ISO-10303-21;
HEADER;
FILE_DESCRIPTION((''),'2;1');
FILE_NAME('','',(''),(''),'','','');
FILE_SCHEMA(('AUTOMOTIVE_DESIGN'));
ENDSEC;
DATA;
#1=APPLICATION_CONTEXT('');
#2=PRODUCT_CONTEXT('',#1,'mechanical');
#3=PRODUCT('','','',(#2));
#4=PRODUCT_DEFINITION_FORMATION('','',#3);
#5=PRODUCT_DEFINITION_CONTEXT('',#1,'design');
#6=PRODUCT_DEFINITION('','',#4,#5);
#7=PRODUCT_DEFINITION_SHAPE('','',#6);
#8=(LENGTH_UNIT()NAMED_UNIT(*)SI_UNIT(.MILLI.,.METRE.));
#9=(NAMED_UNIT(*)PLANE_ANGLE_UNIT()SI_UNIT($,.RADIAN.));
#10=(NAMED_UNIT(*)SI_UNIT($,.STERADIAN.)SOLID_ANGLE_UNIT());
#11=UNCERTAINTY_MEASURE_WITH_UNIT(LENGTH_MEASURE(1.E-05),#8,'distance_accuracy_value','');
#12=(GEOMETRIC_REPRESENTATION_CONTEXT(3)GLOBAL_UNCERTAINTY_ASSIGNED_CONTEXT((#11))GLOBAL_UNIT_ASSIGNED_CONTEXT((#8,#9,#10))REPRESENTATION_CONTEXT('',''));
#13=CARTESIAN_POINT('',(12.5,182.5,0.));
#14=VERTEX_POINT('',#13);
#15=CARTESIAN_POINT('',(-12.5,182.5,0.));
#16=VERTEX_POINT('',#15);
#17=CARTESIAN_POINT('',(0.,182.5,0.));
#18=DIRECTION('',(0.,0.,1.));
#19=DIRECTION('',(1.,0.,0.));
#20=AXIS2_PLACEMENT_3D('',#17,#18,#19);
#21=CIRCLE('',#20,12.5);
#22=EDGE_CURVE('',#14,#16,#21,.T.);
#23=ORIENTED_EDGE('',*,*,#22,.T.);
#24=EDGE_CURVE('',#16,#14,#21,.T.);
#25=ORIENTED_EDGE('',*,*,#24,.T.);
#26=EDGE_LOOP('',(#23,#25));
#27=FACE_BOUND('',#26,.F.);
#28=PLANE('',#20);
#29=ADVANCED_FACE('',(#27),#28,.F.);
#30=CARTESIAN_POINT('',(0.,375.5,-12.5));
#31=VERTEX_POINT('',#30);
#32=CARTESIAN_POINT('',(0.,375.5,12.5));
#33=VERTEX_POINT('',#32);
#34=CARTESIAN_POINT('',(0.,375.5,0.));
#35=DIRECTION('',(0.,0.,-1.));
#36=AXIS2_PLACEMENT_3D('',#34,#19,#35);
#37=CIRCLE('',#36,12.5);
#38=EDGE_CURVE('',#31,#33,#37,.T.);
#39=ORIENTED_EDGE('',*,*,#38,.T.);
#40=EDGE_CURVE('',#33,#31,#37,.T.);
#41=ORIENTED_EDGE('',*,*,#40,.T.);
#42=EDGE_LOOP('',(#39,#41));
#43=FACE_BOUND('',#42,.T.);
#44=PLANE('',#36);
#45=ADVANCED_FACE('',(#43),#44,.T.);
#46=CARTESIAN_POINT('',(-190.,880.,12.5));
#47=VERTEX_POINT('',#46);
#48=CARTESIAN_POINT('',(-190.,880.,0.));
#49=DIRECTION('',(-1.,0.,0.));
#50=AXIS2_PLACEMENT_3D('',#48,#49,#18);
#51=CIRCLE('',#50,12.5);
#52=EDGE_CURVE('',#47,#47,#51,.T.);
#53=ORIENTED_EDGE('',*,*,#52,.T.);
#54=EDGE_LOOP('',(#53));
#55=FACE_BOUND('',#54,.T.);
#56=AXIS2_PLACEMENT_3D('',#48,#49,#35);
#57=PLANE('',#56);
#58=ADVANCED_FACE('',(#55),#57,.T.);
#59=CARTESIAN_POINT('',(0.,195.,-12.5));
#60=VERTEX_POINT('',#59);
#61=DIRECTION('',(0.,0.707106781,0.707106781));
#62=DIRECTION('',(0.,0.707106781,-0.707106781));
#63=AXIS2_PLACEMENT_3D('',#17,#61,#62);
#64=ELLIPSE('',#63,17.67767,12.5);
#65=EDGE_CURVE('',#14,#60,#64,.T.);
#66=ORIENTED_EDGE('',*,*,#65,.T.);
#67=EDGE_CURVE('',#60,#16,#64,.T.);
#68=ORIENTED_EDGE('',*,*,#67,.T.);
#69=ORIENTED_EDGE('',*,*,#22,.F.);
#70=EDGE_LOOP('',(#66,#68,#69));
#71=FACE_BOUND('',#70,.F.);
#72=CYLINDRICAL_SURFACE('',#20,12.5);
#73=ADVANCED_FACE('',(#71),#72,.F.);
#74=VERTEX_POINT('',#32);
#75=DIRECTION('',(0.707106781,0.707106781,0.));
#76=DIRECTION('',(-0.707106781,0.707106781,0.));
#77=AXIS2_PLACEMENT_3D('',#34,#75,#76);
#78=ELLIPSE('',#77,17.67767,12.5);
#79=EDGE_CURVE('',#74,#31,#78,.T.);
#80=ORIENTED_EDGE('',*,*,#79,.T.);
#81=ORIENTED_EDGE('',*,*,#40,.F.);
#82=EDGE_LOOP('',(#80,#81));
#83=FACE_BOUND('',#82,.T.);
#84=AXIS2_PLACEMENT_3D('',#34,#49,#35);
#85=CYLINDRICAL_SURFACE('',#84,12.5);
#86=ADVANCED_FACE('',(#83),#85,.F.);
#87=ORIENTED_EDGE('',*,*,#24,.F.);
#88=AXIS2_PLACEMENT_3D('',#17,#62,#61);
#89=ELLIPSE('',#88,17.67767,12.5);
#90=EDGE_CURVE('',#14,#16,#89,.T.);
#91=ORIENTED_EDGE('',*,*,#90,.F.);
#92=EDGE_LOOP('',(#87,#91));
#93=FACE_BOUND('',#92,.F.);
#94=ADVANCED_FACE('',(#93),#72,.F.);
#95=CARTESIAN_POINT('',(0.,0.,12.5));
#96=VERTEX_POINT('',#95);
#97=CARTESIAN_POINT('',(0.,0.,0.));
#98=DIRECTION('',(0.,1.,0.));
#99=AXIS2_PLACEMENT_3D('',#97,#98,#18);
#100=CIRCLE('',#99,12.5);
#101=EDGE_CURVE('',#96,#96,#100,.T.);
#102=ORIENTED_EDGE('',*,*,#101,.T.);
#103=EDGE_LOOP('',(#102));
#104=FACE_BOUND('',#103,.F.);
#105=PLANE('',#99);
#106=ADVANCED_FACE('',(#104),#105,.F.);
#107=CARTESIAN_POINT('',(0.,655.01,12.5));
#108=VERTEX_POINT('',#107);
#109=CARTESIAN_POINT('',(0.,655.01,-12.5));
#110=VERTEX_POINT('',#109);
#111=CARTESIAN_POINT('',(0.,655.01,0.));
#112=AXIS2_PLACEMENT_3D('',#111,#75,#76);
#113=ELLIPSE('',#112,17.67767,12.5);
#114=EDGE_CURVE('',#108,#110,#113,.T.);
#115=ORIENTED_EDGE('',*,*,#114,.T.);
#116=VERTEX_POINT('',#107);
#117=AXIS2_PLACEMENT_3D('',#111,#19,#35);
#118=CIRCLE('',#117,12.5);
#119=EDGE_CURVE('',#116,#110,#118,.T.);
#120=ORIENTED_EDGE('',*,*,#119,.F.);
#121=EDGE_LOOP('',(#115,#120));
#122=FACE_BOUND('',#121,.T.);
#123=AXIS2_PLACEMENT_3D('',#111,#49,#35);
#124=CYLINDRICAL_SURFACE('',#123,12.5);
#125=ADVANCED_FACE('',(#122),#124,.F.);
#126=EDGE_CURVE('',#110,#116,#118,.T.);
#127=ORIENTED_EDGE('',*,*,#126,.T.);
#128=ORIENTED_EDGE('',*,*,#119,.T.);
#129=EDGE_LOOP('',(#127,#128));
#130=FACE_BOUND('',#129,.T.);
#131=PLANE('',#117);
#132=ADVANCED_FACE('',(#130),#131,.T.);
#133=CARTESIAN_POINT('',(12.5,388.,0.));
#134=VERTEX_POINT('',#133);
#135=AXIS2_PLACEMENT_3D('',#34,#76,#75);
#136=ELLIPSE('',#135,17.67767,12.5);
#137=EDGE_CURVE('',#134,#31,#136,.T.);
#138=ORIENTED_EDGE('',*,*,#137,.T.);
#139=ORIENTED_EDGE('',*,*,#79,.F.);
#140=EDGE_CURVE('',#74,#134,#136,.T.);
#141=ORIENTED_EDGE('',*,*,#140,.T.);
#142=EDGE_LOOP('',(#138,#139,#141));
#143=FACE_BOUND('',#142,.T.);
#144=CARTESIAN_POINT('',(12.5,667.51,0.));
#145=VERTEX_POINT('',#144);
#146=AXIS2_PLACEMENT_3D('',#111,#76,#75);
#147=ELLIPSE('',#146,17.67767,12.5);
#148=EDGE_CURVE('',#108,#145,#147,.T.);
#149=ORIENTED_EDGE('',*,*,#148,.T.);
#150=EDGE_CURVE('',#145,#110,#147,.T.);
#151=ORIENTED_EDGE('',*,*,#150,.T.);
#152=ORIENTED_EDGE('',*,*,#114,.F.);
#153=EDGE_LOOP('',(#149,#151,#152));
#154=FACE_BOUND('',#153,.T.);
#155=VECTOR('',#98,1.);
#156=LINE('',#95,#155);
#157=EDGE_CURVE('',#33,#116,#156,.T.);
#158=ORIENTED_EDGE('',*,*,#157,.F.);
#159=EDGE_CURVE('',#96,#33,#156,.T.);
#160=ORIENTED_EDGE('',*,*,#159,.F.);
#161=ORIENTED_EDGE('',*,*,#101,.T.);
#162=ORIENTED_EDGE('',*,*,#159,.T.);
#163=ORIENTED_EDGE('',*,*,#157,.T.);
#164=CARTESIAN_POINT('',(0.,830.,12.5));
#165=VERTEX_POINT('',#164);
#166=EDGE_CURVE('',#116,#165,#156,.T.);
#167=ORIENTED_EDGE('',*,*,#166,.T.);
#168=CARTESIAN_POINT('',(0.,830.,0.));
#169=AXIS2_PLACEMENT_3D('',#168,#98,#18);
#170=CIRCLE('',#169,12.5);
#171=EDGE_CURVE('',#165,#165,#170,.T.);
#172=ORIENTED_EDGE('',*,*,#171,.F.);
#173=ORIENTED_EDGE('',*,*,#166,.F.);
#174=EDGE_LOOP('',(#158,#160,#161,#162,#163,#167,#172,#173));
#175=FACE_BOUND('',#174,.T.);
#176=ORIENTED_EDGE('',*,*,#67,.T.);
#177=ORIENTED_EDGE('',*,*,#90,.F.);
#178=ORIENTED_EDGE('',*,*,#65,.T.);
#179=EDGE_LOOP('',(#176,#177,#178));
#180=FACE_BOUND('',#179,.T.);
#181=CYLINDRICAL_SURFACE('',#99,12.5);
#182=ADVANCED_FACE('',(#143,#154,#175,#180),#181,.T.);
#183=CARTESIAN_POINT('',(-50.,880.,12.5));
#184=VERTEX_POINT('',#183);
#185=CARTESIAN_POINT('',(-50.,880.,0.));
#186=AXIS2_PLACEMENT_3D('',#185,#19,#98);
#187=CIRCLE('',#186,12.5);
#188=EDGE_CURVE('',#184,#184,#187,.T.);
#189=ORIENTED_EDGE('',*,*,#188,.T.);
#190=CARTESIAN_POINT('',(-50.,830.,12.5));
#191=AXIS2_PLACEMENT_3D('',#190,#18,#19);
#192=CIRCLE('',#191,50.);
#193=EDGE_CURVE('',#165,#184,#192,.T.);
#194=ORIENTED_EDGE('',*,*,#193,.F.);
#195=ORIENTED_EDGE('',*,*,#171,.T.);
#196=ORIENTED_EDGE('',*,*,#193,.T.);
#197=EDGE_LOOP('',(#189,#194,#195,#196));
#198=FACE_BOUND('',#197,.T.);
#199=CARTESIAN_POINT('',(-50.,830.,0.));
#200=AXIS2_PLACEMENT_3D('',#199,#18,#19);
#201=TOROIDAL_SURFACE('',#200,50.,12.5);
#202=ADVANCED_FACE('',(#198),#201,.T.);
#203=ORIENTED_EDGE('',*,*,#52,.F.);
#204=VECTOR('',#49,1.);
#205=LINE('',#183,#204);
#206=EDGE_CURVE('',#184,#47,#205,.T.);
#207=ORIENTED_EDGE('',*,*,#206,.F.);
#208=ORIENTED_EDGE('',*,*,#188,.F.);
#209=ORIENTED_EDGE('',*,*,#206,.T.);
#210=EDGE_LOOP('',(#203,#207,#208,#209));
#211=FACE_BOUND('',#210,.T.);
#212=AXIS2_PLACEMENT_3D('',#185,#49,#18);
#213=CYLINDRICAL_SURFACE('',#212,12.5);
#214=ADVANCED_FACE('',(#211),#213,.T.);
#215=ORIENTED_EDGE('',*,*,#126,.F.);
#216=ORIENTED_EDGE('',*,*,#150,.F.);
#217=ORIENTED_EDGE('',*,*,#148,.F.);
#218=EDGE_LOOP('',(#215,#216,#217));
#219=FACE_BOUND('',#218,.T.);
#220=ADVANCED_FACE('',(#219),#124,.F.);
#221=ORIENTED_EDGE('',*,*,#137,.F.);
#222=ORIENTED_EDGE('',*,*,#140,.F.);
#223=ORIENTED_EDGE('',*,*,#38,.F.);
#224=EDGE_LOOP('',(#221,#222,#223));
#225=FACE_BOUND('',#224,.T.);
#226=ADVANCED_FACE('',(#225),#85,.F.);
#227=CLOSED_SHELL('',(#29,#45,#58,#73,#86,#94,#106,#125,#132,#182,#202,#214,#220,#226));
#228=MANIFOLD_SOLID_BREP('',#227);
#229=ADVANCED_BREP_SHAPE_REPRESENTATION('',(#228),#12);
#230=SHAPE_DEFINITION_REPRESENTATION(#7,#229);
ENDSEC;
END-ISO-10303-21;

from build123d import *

# Parameters (mm, degrees)
SWEEP1_PROFILE_R   = 12.5
SKETCH8_R          = 12.5
CUT_EXTRUDE3_DEPTH = 21
SKETCH2_R          = 12.5
CUT_EXTRUDE5_DEPTH = 13


with BuildPart() as part:
    # Sweep1: sweep along a path in Sketch1
    with BuildLine(Plane.XY) as sweep1_path:
        Line((0, 0), (0, 830))
        ThreePointArc((0, 830), (-14.644660941, 865.355339059), (-50, 880))
        Line((-50, 880), (-190, 880))
    # Sweep1 profile (on start of the path) → Sweep1 (sweep)
    with BuildSketch(Plane.ZX):
        Circle(SWEEP1_PROFILE_R)
    sweep(path=sweep1_path.line)

    # Sketch8 → Cut-Extrude3 (cut)
    with BuildSketch(Plane(origin=(0, 0, 0), x_dir=(0, 0, -1), z_dir=(1, 0, 0))):
        with Locations((0, 655.01)):
            Circle(SKETCH8_R)
        with Locations((0, 375.5)):
            Circle(SKETCH8_R)
    extrude(amount=CUT_EXTRUDE3_DEPTH, mode=Mode.SUBTRACT)

    # Sketch2 → Cut-Extrude5 (cut)
    with BuildSketch(Plane.XY):
        with Locations((0, 182.5)):
            Circle(SKETCH2_R)
    extrude(amount=-CUT_EXTRUDE5_DEPTH, mode=Mode.SUBTRACT)


solid = part.part
